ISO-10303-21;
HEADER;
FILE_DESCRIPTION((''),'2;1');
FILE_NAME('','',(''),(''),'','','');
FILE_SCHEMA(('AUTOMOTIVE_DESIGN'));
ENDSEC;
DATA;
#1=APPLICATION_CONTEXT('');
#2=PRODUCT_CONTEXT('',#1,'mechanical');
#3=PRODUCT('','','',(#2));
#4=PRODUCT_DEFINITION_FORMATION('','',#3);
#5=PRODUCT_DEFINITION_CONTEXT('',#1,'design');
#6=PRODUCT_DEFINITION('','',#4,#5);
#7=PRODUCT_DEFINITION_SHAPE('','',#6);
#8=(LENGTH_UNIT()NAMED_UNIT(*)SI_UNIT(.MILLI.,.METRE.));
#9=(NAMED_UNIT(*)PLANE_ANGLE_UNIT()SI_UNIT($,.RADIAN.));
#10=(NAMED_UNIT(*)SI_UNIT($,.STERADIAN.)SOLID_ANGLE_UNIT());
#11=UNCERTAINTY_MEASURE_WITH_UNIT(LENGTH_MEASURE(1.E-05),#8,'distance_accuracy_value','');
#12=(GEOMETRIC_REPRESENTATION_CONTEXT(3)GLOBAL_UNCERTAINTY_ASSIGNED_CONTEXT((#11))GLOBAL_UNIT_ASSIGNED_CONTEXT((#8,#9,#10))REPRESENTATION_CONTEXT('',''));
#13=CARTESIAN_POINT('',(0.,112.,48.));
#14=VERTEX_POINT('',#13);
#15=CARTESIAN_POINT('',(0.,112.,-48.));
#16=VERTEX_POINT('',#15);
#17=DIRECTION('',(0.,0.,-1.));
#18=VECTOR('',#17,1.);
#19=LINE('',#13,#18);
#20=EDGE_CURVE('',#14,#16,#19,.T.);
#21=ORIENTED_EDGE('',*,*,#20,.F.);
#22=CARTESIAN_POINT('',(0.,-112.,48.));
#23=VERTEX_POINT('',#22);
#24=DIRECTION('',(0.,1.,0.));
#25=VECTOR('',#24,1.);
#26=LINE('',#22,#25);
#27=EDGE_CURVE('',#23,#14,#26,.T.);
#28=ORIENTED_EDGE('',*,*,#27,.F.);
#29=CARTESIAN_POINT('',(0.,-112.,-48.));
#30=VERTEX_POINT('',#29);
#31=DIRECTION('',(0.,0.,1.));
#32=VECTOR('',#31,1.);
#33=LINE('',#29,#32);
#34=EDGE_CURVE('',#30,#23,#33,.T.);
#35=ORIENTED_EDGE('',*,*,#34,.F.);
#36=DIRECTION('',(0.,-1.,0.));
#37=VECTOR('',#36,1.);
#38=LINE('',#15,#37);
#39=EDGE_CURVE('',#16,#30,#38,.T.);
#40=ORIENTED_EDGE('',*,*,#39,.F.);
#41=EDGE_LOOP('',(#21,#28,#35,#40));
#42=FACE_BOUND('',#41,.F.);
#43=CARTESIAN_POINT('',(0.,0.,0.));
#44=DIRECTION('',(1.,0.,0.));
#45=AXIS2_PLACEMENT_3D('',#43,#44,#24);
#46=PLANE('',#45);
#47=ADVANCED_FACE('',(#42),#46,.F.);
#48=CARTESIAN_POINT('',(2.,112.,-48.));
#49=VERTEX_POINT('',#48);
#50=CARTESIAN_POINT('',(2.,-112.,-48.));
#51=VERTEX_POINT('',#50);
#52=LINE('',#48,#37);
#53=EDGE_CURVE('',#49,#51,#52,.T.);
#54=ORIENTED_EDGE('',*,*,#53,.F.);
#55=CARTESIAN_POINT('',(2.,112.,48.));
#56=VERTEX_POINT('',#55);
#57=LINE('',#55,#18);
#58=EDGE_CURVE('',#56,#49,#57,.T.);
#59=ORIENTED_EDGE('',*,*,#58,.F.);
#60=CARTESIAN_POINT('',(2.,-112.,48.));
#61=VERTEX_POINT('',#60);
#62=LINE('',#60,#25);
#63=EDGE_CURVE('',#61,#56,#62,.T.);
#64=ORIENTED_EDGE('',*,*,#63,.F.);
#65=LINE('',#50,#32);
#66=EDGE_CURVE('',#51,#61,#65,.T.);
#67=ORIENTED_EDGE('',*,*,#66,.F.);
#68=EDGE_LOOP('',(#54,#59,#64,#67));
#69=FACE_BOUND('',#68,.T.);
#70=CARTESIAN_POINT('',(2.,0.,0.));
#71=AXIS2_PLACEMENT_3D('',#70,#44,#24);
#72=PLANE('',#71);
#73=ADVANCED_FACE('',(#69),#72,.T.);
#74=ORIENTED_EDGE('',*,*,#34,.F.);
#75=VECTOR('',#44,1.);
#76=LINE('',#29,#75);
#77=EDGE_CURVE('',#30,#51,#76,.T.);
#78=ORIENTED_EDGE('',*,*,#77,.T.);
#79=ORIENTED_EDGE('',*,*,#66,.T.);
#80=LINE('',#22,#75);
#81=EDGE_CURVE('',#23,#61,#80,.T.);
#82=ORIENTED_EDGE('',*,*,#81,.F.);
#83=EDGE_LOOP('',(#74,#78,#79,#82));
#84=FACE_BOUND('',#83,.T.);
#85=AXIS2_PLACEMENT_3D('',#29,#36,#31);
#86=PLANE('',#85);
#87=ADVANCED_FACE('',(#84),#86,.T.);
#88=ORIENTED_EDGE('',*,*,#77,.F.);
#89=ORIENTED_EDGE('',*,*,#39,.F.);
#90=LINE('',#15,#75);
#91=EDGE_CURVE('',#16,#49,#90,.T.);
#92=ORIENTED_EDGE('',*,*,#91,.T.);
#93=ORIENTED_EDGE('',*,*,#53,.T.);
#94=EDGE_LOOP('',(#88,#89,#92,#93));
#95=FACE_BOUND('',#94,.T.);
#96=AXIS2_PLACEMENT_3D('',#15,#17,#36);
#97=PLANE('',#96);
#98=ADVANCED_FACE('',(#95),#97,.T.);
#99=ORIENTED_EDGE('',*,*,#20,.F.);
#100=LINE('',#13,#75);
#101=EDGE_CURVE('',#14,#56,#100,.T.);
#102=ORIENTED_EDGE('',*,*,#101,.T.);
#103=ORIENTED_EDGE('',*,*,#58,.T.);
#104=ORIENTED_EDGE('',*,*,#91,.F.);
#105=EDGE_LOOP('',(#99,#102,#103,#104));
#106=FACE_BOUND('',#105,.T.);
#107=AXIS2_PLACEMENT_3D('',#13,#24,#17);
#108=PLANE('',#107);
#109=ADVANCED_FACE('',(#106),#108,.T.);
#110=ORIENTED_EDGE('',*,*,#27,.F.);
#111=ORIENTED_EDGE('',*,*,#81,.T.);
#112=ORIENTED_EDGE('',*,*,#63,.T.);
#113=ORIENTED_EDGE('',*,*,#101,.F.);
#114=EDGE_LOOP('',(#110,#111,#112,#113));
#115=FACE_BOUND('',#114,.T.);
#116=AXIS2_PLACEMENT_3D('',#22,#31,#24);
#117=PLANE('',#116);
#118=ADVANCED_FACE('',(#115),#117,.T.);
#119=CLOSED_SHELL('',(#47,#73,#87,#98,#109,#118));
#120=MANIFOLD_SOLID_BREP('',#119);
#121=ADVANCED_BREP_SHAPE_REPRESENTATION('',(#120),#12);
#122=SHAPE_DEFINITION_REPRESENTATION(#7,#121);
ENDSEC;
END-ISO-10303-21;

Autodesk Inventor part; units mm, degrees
ref_plane "YZ Plane" through (0, 0, 0) normal (1, 0, 0) x (0, 1, 0)
ref_plane "XZ Plane" through (0, 0, 0) normal (0, 1, 0) x (-1, 0, 0)
ref_plane "XY Plane" through (0, 0, 0) normal (0, 0, 1) x (1, 0, 0)
sketch "Skizze1" plane through (0, 0, 0) normal (1, 0, 0) x (0, 1, 0)
  line L0 (112, -48) -> (-112, -48)
  line L1 (-112, -48) -> (-112, 48)
  line L2 (-112, 48) -> (112, 48)
  line L3 (112, 48) -> (112, -48)
  line L4 (112, -48) -> (-112, 48) construction
  line L5 (-112, -48) -> (112, 48) construction
  point P0 (0, 0)
  dimension "d0" = 224
  dimension "d1" = 96
extrude "Extrusion1" add sketch "Skizze1" along normal blind 2
properties part number "acrylglas" material "Glas"
